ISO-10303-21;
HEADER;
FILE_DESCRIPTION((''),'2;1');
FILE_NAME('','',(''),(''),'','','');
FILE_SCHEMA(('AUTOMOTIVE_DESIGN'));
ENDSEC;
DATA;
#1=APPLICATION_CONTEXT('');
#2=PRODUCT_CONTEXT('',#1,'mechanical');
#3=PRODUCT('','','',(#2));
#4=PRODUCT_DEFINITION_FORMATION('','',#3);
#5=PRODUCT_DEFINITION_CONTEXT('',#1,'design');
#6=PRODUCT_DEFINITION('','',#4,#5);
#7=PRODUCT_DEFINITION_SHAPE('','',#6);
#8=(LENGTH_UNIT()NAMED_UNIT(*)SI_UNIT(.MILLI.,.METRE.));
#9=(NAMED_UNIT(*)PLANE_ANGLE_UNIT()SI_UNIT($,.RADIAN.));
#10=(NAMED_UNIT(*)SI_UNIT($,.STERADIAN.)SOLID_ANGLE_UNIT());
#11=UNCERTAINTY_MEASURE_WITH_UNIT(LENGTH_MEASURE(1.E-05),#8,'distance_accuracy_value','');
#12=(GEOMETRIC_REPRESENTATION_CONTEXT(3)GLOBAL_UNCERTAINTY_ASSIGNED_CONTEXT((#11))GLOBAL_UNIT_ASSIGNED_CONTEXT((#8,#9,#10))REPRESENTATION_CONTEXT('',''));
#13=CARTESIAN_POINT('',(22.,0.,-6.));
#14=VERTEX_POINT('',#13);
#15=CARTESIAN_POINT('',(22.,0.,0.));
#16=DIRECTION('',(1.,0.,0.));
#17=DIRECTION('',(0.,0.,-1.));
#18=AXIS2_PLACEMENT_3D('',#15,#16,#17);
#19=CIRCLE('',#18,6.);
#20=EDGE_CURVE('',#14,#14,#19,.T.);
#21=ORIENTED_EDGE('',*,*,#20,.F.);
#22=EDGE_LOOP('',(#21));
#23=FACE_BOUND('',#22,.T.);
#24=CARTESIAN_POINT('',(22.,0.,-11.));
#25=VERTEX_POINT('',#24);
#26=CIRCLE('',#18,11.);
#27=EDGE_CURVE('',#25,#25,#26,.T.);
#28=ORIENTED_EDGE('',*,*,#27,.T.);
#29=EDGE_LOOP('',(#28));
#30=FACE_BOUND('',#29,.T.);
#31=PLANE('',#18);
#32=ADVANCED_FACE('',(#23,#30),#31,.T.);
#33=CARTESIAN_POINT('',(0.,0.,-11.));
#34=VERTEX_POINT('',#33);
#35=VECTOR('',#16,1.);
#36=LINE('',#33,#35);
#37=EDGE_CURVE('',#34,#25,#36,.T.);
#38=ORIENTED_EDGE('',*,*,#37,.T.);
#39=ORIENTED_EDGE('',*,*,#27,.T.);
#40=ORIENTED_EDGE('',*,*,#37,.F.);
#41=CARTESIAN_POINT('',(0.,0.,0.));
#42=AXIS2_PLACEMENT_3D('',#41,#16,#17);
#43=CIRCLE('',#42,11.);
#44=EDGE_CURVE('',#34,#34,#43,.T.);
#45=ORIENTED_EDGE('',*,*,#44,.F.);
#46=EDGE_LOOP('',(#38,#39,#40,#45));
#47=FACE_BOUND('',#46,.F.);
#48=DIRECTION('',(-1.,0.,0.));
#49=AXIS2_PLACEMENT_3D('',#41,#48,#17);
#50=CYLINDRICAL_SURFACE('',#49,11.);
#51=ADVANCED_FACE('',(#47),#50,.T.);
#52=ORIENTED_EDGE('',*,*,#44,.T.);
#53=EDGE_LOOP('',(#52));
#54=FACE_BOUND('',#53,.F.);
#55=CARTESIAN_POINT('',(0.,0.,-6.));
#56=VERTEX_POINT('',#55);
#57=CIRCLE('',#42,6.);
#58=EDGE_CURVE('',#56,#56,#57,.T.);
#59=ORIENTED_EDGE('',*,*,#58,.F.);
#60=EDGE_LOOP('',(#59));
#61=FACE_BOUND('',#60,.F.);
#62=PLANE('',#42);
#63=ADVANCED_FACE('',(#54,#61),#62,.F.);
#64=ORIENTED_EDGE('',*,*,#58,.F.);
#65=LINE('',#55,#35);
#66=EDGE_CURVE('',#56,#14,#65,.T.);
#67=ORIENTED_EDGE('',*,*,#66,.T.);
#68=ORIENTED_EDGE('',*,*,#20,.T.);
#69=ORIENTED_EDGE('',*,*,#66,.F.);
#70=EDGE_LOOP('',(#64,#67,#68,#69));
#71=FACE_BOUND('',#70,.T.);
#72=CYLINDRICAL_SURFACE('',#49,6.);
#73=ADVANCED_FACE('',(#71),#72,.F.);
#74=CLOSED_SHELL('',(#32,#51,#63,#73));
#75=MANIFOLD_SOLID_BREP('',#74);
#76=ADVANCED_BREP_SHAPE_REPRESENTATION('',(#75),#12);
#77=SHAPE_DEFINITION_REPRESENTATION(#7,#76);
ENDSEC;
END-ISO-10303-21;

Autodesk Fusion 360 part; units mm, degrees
sketch "Sketch1" plane through (0, 0, 0) normal (1, 0, 0) x (0, 0, -1)
  circle A0 centre (0, 0) radius 6
  circle A1 centre (0, 0) radius 11
  dimension "d1" = 12
  dimension "d2" = 22
extrude "Extrude1" add sketch "Sketch1" along normal blind 22 makes body 1
copy_body "Body->Comp1" bodies 1 removing the originals makes body 2 in component "12x22x22 bushing"
component "12x22x22 bushing" placed x (1, 0, 0) y (0, 1, 0) z (0, 0, 1) at (0, 0, 0)
